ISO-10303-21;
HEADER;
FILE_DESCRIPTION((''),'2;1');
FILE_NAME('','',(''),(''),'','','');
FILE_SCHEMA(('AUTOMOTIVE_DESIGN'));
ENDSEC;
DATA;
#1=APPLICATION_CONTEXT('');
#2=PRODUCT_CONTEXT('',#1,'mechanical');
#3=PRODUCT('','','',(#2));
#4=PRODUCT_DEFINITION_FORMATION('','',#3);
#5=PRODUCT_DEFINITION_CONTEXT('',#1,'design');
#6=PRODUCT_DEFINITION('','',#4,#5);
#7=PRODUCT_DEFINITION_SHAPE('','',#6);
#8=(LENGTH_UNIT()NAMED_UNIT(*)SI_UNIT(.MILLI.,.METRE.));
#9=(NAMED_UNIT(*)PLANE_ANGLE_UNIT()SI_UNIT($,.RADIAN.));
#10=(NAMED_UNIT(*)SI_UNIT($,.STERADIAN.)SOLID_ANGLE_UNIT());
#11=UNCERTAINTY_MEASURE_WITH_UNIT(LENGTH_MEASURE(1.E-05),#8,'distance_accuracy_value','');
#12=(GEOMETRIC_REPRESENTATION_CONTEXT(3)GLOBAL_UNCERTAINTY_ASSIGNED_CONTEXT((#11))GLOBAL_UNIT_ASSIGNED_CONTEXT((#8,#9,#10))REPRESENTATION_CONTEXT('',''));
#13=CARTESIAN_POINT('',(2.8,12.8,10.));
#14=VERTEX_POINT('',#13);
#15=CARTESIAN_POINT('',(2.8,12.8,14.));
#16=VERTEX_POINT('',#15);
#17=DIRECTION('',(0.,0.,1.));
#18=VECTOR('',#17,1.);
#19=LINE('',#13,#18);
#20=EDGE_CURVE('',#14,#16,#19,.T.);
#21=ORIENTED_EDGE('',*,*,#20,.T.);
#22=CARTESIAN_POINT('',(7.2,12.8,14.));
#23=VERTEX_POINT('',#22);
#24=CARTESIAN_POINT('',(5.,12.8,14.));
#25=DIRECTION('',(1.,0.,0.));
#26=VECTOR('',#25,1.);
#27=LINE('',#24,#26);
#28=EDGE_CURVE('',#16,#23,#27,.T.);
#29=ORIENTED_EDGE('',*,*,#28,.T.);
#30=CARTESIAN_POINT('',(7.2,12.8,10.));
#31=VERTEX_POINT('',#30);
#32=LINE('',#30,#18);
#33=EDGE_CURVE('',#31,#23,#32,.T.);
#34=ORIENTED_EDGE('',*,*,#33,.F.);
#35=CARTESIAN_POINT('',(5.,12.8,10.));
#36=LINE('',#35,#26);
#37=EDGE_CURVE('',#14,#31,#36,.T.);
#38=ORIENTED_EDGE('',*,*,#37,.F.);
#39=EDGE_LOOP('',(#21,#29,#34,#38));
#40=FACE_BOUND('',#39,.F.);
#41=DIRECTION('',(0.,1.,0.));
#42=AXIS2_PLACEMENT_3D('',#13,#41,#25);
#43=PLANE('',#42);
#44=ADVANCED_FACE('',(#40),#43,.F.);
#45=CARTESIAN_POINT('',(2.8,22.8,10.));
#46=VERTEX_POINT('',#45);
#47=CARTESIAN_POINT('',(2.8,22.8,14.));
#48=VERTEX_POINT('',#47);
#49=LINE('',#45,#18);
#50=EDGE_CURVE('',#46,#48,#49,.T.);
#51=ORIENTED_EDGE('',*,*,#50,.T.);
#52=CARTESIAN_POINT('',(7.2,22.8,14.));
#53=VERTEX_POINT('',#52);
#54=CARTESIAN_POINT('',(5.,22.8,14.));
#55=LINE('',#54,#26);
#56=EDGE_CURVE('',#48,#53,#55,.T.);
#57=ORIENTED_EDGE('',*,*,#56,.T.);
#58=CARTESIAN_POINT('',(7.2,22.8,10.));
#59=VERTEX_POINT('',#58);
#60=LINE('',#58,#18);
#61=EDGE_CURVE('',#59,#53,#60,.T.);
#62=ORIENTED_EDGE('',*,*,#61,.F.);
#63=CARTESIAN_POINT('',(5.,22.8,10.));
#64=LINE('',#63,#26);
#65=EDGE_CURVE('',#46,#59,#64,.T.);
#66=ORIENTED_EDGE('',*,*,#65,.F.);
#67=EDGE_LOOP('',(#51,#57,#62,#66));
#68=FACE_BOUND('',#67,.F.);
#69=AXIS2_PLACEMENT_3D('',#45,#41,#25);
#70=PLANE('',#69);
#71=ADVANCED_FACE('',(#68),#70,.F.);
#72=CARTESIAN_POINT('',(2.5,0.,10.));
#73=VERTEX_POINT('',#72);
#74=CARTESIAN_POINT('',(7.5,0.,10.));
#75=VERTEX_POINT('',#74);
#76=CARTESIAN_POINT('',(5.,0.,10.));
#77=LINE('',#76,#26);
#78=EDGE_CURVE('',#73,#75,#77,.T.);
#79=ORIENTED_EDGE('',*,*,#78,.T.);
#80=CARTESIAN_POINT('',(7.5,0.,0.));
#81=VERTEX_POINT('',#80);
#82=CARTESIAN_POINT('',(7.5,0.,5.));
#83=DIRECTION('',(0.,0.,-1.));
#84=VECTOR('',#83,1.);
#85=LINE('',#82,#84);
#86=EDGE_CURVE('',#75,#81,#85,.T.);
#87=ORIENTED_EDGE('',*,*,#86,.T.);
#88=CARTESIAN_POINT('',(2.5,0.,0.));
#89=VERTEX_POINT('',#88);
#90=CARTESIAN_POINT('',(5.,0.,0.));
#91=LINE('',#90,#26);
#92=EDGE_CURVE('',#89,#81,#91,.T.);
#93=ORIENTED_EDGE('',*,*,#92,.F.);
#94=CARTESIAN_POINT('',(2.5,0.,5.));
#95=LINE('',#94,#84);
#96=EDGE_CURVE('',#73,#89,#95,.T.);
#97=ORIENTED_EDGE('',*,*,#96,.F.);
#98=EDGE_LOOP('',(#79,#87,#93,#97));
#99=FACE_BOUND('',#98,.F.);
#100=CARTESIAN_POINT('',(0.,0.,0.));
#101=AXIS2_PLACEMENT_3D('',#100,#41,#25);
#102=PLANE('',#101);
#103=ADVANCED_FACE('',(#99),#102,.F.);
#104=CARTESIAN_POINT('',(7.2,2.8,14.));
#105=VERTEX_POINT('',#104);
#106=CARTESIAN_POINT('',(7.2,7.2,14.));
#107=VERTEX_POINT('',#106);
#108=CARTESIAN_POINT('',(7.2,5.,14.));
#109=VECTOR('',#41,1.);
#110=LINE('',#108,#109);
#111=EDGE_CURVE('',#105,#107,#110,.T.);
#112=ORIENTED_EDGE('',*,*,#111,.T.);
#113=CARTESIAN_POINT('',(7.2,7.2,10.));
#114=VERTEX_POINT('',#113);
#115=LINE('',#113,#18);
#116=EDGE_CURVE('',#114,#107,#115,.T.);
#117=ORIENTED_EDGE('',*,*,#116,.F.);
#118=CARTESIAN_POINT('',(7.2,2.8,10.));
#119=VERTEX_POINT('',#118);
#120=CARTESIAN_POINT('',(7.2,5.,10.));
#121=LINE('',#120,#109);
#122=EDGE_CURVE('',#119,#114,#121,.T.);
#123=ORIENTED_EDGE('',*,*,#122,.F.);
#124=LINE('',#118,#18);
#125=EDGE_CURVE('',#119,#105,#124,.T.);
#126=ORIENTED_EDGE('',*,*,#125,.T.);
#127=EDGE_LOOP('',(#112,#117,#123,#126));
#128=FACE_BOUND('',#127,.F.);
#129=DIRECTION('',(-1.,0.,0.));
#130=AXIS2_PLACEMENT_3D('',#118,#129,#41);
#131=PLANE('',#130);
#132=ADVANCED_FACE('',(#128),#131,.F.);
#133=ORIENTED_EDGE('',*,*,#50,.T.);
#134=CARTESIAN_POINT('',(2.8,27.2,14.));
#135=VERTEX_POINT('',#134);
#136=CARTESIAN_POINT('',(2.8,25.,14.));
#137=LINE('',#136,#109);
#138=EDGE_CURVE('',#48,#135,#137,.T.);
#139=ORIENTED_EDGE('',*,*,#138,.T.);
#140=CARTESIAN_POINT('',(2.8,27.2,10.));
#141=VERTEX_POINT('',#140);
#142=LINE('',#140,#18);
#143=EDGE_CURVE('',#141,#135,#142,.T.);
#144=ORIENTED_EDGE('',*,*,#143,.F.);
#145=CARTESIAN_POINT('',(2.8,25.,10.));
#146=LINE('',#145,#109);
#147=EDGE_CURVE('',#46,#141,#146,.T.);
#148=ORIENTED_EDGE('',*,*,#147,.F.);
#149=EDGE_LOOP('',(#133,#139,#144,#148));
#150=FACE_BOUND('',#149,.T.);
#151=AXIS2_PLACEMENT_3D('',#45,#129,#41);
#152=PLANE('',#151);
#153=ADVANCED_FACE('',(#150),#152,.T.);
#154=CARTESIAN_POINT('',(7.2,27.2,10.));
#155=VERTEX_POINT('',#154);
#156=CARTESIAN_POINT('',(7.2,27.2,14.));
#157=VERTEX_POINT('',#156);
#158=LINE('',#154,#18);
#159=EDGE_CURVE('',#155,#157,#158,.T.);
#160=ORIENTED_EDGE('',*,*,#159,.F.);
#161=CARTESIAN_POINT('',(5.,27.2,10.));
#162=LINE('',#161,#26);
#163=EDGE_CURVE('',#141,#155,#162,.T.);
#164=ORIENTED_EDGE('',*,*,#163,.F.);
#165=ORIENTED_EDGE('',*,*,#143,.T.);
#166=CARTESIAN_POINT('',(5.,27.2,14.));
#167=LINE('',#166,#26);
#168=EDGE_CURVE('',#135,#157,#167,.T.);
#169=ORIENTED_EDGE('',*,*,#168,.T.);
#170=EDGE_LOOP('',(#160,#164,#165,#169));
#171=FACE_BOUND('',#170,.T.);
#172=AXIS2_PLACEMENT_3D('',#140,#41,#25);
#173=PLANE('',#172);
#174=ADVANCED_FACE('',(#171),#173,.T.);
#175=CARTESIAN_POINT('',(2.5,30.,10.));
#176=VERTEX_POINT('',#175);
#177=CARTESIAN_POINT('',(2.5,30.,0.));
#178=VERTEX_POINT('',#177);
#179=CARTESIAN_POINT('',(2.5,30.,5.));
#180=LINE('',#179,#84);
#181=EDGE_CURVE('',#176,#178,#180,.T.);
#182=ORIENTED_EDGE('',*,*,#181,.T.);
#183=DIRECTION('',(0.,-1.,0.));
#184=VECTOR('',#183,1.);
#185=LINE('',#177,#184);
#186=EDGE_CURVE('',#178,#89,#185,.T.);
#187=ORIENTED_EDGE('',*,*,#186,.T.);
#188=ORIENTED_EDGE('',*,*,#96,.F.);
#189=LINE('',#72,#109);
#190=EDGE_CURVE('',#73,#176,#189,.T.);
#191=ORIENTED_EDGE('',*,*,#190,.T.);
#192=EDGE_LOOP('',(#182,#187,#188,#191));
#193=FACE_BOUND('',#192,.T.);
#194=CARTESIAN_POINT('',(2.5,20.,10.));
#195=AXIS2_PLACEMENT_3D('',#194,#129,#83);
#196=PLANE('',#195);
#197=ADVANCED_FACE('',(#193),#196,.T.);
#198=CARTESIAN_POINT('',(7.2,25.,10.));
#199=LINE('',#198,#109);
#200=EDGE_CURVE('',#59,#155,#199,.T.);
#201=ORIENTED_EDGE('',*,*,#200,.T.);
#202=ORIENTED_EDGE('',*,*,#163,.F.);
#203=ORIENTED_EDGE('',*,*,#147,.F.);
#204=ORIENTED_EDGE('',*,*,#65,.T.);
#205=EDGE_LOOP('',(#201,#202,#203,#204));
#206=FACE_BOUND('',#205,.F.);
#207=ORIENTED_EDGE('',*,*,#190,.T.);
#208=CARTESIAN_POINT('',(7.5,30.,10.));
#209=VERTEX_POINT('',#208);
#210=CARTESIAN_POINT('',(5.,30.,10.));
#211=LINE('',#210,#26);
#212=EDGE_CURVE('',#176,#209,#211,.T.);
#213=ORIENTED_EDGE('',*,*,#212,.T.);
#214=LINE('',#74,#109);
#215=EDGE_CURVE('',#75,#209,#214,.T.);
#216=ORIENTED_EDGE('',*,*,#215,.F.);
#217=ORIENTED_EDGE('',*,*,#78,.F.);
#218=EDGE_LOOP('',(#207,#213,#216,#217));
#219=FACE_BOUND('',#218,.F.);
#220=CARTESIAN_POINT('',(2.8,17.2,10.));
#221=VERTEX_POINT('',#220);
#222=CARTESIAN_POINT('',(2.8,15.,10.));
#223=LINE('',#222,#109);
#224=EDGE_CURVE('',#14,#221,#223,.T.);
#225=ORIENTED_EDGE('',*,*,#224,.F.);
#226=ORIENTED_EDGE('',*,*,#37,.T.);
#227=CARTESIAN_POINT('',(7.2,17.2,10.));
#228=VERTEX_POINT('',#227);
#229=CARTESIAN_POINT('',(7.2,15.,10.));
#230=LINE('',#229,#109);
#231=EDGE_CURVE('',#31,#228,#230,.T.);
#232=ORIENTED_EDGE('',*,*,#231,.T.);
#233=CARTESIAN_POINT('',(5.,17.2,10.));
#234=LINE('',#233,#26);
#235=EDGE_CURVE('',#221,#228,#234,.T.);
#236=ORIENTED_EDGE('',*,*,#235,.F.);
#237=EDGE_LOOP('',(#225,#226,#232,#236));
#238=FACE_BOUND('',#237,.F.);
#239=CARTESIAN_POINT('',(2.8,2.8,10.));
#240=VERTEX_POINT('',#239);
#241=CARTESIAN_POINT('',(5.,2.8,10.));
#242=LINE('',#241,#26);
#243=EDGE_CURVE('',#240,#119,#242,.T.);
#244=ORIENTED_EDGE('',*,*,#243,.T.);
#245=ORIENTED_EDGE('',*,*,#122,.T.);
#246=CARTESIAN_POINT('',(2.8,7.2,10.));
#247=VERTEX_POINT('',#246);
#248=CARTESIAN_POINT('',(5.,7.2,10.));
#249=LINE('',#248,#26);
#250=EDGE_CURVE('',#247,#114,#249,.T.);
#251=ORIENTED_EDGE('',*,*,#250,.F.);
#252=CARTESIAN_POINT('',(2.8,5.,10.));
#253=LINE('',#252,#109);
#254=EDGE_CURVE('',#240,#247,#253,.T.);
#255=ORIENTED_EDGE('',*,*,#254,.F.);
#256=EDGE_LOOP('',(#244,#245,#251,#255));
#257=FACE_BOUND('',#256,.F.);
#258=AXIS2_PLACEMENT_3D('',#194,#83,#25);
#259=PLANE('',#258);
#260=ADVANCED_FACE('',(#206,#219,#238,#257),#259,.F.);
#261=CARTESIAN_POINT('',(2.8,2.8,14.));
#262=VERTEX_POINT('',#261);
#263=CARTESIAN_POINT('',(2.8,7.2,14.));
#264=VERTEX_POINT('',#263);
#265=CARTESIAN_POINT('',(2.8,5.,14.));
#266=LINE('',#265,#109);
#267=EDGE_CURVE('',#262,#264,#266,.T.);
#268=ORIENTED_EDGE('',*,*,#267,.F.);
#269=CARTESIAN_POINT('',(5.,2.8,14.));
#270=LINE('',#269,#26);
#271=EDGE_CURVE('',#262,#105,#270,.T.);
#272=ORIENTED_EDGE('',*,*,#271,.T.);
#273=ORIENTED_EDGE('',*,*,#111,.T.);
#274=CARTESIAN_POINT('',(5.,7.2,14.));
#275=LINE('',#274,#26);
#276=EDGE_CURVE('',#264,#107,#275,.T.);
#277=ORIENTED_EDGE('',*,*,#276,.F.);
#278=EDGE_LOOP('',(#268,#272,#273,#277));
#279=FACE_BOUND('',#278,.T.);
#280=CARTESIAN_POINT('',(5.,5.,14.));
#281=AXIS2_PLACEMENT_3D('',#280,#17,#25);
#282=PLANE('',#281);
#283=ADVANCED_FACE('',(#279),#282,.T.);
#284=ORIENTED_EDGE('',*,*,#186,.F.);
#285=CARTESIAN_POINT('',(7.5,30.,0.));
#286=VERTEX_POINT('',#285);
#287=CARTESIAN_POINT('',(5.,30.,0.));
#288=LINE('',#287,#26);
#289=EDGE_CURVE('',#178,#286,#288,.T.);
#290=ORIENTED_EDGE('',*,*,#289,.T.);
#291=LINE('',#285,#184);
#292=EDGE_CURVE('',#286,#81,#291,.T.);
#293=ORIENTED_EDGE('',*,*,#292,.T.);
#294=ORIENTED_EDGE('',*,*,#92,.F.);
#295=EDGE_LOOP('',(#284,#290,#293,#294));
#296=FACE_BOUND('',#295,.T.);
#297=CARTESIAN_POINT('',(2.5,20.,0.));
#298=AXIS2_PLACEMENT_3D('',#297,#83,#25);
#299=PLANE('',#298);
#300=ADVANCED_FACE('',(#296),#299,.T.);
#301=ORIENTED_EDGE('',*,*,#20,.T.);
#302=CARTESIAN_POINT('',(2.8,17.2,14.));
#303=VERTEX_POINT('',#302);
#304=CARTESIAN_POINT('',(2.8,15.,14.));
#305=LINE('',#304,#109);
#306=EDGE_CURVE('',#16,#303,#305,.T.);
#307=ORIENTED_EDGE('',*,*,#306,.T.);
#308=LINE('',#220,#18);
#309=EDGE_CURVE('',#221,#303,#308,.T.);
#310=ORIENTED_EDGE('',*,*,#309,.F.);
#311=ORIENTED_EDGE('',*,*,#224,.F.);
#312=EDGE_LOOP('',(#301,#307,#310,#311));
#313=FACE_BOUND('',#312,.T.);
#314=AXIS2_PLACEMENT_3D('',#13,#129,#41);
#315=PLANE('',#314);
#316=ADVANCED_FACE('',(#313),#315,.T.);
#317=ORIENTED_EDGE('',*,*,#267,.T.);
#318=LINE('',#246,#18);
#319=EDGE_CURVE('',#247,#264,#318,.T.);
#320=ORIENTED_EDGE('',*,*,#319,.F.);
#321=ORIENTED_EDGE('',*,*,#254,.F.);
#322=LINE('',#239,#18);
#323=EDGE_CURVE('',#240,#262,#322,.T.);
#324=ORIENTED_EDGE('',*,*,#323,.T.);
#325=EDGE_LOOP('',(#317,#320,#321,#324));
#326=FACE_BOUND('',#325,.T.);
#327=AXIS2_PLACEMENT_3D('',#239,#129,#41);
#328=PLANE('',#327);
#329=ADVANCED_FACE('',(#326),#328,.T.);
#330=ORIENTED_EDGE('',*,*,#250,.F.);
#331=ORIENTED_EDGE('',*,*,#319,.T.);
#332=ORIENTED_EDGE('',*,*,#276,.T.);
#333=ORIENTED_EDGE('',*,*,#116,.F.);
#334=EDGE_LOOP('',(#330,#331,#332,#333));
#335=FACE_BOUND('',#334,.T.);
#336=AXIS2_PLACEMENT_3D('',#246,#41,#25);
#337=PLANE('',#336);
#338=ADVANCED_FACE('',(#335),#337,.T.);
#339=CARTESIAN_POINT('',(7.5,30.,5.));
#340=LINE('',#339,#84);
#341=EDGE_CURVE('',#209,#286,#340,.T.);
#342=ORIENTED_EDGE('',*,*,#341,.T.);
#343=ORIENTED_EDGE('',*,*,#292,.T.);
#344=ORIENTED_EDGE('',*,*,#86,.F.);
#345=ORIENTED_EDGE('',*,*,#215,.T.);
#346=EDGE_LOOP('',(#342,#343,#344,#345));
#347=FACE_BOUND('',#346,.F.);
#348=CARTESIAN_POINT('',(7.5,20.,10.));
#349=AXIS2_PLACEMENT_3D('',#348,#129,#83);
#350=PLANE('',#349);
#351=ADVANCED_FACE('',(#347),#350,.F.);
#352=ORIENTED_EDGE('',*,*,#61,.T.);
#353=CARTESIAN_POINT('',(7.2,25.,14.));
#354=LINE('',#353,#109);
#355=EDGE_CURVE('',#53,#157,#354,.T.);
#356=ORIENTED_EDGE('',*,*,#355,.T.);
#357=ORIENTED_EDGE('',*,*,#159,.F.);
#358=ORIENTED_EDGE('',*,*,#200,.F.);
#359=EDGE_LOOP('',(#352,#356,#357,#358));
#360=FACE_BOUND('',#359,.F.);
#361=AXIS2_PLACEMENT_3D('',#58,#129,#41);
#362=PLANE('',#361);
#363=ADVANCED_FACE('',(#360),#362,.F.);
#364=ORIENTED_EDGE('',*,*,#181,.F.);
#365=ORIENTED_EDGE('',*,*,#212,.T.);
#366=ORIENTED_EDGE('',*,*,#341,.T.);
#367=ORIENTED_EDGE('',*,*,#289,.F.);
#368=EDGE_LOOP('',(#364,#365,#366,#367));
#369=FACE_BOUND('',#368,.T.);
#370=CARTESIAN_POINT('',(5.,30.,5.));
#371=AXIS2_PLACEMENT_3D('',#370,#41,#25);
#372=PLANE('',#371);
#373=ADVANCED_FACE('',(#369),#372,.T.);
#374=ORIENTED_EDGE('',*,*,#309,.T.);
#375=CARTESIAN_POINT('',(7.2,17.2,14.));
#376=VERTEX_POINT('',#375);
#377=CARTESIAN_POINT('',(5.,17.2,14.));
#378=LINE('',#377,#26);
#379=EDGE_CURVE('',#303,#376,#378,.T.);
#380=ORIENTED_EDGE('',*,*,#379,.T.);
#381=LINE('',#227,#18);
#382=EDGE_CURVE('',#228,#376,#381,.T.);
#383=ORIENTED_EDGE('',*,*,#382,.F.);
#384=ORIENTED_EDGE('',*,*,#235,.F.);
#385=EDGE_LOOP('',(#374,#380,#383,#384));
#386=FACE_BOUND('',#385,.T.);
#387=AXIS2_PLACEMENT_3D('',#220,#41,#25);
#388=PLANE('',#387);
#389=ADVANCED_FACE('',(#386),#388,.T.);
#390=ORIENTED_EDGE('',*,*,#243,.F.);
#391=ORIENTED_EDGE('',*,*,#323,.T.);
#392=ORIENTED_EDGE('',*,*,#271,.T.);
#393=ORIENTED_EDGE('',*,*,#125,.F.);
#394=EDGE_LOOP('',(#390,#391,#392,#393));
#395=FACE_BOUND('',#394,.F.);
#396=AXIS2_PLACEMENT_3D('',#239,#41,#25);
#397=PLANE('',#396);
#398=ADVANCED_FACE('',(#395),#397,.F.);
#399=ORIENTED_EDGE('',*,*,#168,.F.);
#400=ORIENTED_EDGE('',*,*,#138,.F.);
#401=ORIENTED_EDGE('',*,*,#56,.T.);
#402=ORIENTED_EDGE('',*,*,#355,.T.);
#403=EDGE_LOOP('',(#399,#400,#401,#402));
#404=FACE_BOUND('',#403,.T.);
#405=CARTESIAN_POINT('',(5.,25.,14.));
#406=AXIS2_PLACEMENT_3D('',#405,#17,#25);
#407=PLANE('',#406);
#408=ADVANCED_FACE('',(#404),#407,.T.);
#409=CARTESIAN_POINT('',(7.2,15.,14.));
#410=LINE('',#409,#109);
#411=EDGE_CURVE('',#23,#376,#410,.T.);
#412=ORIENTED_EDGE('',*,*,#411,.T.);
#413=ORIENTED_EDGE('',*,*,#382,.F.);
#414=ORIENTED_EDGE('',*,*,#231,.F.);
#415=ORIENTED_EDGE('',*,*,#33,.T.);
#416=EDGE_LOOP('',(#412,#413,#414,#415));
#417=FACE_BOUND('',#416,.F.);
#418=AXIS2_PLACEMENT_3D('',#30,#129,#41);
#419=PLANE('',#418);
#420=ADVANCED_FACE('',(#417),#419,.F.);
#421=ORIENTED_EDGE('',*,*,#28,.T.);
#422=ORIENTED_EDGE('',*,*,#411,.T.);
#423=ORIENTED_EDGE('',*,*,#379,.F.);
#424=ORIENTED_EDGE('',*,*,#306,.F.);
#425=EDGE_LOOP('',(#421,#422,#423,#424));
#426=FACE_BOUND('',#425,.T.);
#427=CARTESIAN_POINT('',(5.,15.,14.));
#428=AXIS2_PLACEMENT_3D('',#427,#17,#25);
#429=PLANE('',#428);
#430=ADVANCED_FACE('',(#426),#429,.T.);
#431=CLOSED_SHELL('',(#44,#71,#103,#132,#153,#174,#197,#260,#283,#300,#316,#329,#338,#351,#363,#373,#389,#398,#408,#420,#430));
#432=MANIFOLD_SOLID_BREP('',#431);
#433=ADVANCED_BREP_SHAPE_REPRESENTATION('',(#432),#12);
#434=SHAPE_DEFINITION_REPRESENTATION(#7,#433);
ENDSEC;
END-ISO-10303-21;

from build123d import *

# Parameters (mm, degrees)
BOX_W             = 10
BOX_H             = 10
BOX_DEPTH         = 10
SKETCH_W          = 4.4
SKETCH_H          = 4.4
PAD_DEPTH         = 4
PAD_FACE1_W       = 10
PAD_FACE1_H       = 10
POCKET_DEPTH      = 2.5
POCKET_FACE3_W    = 10
POCKET_FACE3_H    = 10
POCKET001_DEPTH   = 2.5
POCKET001_FACE6_W = 5
POCKET001_FACE6_H = 10
PAD001_DEPTH      = 10
SKETCH001_W       = 4.4
SKETCH001_H       = 4.4
PAD002_DEPTH      = 4
PAD002_FACE14_W   = 5
PAD002_FACE14_H   = 10
PAD003_DEPTH      = 10
SKETCH002_W       = 4.4
SKETCH002_H       = 4.4
PAD004_DEPTH      = 4


with BuildPart() as part:
    # Box → Box (new body)
    with BuildSketch(Plane.XY):
        with Locations((5, 5)):
            Rectangle(BOX_W, BOX_H)
    extrude(amount=BOX_DEPTH)

    # Sketch (on Face6 of BaseFeature) → Pad (new body)
    with BuildSketch(Plane.XY.offset(10)):
        with Locations((5, 5)):
            Rectangle(SKETCH_W, SKETCH_H)
    extrude(amount=PAD_DEPTH)

    # Pad Face1 → Pocket (cut)
    with BuildSketch(Plane(origin=(0, 5, 5), x_dir=(0, 1, 0), z_dir=(-1, 0, 0))):
        Rectangle(PAD_FACE1_W, PAD_FACE1_H)
    extrude(amount=-POCKET_DEPTH, mode=Mode.SUBTRACT)

    # Pocket Face3 → Pocket001 (cut)
    with BuildSketch(Plane(origin=(10, 5, 5), x_dir=(0, -1, 0), z_dir=(1, 0, 0))):
        Rectangle(POCKET_FACE3_W, POCKET_FACE3_H)
    extrude(amount=-POCKET001_DEPTH, mode=Mode.SUBTRACT)

    # Pocket001 Face6 → Pad001 (add)
    with BuildSketch(Plane(origin=(5, 10, 5), x_dir=(1, 0, 0), z_dir=(0, 1, 0))):
        Rectangle(POCKET001_FACE6_W, POCKET001_FACE6_H)
    extrude(amount=PAD001_DEPTH)

    # Sketch001 (on Face8 of Pad001) → Pad002 (join)
    with BuildSketch(Plane.XY.offset(10)):
        with Locations((5, 15)):
            Rectangle(SKETCH001_W, SKETCH001_H)
    extrude(amount=PAD002_DEPTH)

    # Pad002 Face14 → Pad003 (add)
    with BuildSketch(Plane(origin=(5, 20, 5), x_dir=(1, 0, 0), z_dir=(0, 1, 0))):
        Rectangle(PAD002_FACE14_W, PAD002_FACE14_H)
    extrude(amount=PAD003_DEPTH)

    # Sketch002 (on Face16 of Pad003) → Pad004 (join)
    with BuildSketch(Plane.XY.offset(10)):
        with Locations((5, 25)):
            Rectangle(SKETCH002_W, SKETCH002_H)
    extrude(amount=PAD004_DEPTH)


solid = part.part
